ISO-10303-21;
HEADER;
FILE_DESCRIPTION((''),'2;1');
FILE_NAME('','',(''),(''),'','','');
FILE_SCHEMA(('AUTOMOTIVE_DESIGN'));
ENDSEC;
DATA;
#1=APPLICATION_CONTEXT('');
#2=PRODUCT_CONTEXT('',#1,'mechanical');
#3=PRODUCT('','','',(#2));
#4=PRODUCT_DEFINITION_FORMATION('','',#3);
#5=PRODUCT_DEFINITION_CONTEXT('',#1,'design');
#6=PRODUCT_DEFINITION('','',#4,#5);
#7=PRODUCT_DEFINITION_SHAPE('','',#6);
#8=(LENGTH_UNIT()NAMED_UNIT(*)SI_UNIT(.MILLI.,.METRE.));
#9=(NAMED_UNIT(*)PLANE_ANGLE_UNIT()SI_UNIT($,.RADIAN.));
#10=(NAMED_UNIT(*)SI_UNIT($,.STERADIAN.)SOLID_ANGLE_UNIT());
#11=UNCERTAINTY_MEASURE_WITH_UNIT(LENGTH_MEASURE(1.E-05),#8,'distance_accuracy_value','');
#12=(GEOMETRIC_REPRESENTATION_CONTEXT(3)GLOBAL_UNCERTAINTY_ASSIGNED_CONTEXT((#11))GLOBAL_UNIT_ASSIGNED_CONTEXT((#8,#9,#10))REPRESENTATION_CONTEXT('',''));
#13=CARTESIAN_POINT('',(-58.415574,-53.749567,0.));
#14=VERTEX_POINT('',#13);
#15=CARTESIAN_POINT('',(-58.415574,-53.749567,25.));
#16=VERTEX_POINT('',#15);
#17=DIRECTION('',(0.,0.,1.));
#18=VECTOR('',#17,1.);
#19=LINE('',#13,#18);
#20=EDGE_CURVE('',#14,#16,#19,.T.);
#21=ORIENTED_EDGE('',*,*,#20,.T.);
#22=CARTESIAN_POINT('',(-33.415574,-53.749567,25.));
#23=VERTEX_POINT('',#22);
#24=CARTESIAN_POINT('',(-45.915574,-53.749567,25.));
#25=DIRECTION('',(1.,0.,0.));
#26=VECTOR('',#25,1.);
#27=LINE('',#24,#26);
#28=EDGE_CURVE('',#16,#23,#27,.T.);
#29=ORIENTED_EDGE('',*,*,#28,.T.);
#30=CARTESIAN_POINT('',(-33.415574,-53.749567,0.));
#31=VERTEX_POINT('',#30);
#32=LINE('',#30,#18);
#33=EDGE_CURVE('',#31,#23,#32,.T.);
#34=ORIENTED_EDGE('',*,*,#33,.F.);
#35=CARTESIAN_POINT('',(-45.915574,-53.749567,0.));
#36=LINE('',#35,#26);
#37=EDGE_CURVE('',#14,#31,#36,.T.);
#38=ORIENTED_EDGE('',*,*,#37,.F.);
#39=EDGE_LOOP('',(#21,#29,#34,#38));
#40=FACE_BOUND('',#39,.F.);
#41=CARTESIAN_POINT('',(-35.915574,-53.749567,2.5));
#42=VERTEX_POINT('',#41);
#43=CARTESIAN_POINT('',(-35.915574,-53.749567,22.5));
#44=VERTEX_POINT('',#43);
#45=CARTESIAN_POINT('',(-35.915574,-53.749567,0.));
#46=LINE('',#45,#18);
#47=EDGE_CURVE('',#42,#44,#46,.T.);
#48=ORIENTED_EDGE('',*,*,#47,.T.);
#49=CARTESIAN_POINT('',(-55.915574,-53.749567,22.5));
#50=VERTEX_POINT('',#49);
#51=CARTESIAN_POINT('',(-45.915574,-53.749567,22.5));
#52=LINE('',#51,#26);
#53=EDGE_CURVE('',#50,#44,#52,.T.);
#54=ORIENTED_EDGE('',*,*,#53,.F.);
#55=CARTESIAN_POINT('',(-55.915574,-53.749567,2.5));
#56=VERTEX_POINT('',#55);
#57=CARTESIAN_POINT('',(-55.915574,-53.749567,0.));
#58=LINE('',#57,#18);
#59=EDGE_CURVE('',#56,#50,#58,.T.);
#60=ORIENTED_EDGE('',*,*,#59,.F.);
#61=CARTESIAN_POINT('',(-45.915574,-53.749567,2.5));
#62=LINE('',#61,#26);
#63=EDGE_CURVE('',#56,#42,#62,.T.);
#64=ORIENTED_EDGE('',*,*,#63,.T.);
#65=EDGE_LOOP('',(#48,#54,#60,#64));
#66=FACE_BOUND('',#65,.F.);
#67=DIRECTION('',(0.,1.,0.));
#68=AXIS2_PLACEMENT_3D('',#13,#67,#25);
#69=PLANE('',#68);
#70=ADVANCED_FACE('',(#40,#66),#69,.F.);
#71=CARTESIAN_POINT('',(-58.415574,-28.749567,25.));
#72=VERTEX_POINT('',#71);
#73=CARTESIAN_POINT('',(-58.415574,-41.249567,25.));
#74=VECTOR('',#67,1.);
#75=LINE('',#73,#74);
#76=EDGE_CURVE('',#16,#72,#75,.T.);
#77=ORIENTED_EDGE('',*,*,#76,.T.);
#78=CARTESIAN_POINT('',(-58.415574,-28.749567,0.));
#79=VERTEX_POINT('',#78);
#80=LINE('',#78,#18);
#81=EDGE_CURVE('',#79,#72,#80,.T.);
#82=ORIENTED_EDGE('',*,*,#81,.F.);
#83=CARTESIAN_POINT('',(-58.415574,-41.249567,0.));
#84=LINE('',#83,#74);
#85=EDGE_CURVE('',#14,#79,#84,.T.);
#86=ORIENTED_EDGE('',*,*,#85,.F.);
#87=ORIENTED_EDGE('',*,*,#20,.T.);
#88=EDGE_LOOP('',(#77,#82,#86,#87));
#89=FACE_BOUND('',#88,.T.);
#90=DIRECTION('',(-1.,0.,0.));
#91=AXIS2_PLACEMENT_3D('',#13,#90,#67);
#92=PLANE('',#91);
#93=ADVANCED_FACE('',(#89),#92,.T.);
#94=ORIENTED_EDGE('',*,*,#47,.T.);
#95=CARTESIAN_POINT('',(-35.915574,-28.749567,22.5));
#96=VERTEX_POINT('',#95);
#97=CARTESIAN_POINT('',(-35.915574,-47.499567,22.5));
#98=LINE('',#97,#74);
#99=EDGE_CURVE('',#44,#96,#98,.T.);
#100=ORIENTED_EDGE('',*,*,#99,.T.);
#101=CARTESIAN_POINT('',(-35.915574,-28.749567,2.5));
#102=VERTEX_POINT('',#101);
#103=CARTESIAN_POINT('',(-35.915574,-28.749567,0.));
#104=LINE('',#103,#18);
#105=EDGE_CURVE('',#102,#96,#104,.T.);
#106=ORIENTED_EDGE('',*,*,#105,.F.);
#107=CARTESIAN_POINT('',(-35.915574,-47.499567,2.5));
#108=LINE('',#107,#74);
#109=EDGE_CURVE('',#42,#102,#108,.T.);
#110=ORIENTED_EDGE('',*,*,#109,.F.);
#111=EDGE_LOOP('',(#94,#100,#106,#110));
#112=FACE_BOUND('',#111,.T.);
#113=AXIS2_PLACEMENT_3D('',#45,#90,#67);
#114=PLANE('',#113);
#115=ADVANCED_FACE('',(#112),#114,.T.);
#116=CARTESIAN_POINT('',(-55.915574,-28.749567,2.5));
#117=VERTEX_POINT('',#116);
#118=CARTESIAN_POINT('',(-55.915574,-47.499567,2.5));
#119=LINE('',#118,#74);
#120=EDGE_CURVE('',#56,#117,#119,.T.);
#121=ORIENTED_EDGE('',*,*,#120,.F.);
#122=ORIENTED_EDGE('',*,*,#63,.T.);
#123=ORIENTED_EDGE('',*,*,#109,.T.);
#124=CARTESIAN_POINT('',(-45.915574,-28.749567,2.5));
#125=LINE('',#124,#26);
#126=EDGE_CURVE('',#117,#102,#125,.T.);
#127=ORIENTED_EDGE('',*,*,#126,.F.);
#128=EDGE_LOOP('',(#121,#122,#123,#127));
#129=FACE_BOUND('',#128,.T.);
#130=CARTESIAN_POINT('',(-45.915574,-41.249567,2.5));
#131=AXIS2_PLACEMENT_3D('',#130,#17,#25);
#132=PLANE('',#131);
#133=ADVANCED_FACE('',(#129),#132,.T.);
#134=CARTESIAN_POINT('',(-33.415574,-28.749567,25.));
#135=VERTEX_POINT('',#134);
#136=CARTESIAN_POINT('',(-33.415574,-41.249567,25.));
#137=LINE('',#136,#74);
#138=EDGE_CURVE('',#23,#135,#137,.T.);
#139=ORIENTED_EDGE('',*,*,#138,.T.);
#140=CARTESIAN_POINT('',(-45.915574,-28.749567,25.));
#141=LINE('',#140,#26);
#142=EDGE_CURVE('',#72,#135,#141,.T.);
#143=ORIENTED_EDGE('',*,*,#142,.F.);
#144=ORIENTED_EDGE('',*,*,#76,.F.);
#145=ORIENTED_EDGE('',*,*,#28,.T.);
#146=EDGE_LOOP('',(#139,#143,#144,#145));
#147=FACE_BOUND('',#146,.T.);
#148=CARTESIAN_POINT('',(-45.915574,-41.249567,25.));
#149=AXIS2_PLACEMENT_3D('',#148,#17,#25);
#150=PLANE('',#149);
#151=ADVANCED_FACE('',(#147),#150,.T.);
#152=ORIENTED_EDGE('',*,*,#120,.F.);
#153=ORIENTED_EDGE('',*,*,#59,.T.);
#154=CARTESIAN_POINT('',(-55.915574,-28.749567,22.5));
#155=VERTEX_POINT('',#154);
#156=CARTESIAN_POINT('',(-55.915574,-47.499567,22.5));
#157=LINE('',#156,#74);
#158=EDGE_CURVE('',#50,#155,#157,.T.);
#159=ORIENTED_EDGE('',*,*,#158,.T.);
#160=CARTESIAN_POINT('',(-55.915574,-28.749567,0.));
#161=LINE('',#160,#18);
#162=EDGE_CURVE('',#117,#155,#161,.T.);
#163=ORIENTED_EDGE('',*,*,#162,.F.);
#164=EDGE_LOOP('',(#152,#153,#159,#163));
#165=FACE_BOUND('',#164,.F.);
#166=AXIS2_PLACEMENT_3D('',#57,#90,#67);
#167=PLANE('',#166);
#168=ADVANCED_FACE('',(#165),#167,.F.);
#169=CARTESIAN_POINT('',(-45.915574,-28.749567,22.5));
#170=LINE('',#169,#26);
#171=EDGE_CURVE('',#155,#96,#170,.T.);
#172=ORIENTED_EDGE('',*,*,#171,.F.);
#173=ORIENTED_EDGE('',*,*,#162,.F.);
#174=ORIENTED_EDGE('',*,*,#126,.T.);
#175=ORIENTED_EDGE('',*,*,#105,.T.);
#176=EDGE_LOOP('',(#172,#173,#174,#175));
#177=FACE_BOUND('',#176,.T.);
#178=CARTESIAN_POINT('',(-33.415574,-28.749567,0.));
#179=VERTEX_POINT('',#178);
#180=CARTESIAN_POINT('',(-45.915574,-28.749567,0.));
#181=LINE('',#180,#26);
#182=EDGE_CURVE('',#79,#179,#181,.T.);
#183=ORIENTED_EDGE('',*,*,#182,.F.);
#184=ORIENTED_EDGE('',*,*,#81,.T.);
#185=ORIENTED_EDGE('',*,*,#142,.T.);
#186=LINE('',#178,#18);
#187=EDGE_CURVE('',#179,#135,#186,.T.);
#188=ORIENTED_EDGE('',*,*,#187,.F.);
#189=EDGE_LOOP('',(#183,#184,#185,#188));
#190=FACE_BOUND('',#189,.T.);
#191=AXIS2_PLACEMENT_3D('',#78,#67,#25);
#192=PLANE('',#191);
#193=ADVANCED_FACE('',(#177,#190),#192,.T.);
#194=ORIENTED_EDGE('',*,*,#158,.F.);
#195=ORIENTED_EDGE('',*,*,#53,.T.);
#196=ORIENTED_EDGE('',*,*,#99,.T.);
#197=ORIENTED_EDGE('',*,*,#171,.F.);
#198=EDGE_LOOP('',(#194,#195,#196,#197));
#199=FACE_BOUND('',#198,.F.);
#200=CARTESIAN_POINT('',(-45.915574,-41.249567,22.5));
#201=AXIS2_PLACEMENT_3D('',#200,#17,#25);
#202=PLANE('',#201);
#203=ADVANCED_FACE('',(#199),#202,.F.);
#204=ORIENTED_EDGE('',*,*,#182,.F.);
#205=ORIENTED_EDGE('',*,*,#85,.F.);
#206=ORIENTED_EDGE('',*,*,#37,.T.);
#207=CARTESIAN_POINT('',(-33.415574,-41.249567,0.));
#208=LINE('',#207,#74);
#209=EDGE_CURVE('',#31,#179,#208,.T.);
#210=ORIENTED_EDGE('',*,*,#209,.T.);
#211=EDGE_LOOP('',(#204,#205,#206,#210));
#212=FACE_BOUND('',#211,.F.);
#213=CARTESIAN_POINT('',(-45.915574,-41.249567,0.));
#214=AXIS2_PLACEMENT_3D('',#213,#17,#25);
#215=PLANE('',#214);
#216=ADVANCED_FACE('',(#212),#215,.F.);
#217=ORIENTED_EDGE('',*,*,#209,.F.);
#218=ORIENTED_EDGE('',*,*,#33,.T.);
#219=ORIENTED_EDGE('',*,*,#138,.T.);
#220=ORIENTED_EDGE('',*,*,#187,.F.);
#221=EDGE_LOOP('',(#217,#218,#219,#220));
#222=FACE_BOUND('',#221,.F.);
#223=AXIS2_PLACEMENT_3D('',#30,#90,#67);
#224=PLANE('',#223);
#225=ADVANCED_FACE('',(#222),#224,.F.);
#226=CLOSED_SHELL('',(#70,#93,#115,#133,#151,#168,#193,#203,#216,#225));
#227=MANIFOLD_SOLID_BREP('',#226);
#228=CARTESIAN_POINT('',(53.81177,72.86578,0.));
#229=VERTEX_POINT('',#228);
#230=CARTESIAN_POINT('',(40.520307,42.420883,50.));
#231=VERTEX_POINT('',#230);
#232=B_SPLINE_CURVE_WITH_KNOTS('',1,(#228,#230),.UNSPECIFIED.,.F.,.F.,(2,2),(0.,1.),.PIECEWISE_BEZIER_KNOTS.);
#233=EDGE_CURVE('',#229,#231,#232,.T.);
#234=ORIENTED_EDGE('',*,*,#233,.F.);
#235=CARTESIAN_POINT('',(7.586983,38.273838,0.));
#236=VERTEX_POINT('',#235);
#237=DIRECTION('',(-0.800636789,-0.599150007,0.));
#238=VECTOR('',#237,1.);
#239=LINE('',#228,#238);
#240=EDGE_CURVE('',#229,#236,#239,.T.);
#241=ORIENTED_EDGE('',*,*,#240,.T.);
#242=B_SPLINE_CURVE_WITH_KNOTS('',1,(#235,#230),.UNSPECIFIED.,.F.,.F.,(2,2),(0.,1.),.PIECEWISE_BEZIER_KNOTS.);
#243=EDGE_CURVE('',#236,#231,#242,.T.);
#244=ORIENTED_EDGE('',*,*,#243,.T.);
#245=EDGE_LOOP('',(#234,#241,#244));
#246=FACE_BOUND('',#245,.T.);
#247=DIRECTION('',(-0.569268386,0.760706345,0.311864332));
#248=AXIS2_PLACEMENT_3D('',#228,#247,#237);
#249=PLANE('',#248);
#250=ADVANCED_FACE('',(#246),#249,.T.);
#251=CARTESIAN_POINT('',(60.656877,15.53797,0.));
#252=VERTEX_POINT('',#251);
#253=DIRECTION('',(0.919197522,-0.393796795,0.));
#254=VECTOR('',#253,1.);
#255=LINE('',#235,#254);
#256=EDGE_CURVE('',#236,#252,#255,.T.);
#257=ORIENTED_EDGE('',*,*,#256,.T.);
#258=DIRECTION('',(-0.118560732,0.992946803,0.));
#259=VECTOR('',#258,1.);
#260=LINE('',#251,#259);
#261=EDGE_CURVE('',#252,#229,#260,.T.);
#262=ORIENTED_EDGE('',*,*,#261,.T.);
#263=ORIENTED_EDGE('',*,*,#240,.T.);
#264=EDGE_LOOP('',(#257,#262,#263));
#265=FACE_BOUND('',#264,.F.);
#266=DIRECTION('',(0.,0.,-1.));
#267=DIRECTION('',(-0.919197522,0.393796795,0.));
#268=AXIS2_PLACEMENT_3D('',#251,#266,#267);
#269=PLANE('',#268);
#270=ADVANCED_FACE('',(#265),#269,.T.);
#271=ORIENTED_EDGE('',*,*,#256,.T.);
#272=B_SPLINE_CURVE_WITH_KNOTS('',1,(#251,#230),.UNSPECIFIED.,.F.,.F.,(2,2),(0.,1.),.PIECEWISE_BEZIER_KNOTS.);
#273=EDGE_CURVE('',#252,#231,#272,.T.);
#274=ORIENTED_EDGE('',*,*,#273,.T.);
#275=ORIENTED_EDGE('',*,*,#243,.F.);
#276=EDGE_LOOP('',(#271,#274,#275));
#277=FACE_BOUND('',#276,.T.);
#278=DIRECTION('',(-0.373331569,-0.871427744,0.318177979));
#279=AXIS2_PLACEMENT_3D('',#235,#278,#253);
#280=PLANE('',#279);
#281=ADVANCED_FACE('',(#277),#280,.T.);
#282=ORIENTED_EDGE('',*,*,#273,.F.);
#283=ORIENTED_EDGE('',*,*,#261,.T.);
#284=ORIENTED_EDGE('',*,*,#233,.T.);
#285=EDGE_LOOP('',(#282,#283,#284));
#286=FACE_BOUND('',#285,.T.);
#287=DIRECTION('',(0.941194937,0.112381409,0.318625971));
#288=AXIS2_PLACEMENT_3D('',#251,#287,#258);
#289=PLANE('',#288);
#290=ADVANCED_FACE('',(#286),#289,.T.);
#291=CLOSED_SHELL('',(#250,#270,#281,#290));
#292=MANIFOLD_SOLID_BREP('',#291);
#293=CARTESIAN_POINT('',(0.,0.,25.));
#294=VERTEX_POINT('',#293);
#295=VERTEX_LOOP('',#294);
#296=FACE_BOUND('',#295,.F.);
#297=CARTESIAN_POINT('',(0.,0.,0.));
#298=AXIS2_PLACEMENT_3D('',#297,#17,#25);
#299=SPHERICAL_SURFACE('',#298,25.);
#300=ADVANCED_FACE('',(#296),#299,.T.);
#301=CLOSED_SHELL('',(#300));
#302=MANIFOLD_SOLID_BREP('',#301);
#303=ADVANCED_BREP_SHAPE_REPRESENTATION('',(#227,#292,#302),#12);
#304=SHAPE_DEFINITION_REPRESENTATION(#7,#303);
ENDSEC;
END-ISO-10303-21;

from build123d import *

# Parameters (mm, degrees)
F6_W     = 25
F6_H     = 25
F7_DEPTH = 25
F8_T     = -2.5


with BuildPart() as f1:
    # F0 (on Front) → F1 (revolve)
    with BuildSketch(Plane.XZ):
        with BuildLine():
            Line((0, 25), (0, -25))
            ThreePointArc((0, -25), (25, 0), (0, 25))
        make_face()
    revolve(axis=Axis((0, 0, 0), (0, 0, -1)))


with BuildPart() as f5:
    # F2 (on Top) → F5 section 0
    with BuildSketch(Plane.XY, mode=Mode.PRIVATE) as f5_s0:
        Polygon((60.6568771656, 15.5379695697), (53.8117700855, 72.8657799447), (7.5869834974, 38.2738381342), align=None)
    loft([f5_s0.sketch, Vertex(40.5203066766, 42.4208827317, 50)])


with BuildPart() as f7:
    # F6 (on Top) → F7 (new body)
    with BuildSketch(Plane.XY):
        with Locations((-45.9155738354, -41.2495669603)):
            Rectangle(F6_W, F6_H)
    extrude(amount=F7_DEPTH)

    # F8
    f8_openings = [f7.faces().sort_by_distance(p)[0] for p in [
        (-45.915574, -53.749567, 12.5),
        (-45.915574, -28.749567, 12.5),
    ]]
    offset(amount=F8_T, openings=f8_openings)


solid = Compound([f1.part, f5.part, f7.part])
